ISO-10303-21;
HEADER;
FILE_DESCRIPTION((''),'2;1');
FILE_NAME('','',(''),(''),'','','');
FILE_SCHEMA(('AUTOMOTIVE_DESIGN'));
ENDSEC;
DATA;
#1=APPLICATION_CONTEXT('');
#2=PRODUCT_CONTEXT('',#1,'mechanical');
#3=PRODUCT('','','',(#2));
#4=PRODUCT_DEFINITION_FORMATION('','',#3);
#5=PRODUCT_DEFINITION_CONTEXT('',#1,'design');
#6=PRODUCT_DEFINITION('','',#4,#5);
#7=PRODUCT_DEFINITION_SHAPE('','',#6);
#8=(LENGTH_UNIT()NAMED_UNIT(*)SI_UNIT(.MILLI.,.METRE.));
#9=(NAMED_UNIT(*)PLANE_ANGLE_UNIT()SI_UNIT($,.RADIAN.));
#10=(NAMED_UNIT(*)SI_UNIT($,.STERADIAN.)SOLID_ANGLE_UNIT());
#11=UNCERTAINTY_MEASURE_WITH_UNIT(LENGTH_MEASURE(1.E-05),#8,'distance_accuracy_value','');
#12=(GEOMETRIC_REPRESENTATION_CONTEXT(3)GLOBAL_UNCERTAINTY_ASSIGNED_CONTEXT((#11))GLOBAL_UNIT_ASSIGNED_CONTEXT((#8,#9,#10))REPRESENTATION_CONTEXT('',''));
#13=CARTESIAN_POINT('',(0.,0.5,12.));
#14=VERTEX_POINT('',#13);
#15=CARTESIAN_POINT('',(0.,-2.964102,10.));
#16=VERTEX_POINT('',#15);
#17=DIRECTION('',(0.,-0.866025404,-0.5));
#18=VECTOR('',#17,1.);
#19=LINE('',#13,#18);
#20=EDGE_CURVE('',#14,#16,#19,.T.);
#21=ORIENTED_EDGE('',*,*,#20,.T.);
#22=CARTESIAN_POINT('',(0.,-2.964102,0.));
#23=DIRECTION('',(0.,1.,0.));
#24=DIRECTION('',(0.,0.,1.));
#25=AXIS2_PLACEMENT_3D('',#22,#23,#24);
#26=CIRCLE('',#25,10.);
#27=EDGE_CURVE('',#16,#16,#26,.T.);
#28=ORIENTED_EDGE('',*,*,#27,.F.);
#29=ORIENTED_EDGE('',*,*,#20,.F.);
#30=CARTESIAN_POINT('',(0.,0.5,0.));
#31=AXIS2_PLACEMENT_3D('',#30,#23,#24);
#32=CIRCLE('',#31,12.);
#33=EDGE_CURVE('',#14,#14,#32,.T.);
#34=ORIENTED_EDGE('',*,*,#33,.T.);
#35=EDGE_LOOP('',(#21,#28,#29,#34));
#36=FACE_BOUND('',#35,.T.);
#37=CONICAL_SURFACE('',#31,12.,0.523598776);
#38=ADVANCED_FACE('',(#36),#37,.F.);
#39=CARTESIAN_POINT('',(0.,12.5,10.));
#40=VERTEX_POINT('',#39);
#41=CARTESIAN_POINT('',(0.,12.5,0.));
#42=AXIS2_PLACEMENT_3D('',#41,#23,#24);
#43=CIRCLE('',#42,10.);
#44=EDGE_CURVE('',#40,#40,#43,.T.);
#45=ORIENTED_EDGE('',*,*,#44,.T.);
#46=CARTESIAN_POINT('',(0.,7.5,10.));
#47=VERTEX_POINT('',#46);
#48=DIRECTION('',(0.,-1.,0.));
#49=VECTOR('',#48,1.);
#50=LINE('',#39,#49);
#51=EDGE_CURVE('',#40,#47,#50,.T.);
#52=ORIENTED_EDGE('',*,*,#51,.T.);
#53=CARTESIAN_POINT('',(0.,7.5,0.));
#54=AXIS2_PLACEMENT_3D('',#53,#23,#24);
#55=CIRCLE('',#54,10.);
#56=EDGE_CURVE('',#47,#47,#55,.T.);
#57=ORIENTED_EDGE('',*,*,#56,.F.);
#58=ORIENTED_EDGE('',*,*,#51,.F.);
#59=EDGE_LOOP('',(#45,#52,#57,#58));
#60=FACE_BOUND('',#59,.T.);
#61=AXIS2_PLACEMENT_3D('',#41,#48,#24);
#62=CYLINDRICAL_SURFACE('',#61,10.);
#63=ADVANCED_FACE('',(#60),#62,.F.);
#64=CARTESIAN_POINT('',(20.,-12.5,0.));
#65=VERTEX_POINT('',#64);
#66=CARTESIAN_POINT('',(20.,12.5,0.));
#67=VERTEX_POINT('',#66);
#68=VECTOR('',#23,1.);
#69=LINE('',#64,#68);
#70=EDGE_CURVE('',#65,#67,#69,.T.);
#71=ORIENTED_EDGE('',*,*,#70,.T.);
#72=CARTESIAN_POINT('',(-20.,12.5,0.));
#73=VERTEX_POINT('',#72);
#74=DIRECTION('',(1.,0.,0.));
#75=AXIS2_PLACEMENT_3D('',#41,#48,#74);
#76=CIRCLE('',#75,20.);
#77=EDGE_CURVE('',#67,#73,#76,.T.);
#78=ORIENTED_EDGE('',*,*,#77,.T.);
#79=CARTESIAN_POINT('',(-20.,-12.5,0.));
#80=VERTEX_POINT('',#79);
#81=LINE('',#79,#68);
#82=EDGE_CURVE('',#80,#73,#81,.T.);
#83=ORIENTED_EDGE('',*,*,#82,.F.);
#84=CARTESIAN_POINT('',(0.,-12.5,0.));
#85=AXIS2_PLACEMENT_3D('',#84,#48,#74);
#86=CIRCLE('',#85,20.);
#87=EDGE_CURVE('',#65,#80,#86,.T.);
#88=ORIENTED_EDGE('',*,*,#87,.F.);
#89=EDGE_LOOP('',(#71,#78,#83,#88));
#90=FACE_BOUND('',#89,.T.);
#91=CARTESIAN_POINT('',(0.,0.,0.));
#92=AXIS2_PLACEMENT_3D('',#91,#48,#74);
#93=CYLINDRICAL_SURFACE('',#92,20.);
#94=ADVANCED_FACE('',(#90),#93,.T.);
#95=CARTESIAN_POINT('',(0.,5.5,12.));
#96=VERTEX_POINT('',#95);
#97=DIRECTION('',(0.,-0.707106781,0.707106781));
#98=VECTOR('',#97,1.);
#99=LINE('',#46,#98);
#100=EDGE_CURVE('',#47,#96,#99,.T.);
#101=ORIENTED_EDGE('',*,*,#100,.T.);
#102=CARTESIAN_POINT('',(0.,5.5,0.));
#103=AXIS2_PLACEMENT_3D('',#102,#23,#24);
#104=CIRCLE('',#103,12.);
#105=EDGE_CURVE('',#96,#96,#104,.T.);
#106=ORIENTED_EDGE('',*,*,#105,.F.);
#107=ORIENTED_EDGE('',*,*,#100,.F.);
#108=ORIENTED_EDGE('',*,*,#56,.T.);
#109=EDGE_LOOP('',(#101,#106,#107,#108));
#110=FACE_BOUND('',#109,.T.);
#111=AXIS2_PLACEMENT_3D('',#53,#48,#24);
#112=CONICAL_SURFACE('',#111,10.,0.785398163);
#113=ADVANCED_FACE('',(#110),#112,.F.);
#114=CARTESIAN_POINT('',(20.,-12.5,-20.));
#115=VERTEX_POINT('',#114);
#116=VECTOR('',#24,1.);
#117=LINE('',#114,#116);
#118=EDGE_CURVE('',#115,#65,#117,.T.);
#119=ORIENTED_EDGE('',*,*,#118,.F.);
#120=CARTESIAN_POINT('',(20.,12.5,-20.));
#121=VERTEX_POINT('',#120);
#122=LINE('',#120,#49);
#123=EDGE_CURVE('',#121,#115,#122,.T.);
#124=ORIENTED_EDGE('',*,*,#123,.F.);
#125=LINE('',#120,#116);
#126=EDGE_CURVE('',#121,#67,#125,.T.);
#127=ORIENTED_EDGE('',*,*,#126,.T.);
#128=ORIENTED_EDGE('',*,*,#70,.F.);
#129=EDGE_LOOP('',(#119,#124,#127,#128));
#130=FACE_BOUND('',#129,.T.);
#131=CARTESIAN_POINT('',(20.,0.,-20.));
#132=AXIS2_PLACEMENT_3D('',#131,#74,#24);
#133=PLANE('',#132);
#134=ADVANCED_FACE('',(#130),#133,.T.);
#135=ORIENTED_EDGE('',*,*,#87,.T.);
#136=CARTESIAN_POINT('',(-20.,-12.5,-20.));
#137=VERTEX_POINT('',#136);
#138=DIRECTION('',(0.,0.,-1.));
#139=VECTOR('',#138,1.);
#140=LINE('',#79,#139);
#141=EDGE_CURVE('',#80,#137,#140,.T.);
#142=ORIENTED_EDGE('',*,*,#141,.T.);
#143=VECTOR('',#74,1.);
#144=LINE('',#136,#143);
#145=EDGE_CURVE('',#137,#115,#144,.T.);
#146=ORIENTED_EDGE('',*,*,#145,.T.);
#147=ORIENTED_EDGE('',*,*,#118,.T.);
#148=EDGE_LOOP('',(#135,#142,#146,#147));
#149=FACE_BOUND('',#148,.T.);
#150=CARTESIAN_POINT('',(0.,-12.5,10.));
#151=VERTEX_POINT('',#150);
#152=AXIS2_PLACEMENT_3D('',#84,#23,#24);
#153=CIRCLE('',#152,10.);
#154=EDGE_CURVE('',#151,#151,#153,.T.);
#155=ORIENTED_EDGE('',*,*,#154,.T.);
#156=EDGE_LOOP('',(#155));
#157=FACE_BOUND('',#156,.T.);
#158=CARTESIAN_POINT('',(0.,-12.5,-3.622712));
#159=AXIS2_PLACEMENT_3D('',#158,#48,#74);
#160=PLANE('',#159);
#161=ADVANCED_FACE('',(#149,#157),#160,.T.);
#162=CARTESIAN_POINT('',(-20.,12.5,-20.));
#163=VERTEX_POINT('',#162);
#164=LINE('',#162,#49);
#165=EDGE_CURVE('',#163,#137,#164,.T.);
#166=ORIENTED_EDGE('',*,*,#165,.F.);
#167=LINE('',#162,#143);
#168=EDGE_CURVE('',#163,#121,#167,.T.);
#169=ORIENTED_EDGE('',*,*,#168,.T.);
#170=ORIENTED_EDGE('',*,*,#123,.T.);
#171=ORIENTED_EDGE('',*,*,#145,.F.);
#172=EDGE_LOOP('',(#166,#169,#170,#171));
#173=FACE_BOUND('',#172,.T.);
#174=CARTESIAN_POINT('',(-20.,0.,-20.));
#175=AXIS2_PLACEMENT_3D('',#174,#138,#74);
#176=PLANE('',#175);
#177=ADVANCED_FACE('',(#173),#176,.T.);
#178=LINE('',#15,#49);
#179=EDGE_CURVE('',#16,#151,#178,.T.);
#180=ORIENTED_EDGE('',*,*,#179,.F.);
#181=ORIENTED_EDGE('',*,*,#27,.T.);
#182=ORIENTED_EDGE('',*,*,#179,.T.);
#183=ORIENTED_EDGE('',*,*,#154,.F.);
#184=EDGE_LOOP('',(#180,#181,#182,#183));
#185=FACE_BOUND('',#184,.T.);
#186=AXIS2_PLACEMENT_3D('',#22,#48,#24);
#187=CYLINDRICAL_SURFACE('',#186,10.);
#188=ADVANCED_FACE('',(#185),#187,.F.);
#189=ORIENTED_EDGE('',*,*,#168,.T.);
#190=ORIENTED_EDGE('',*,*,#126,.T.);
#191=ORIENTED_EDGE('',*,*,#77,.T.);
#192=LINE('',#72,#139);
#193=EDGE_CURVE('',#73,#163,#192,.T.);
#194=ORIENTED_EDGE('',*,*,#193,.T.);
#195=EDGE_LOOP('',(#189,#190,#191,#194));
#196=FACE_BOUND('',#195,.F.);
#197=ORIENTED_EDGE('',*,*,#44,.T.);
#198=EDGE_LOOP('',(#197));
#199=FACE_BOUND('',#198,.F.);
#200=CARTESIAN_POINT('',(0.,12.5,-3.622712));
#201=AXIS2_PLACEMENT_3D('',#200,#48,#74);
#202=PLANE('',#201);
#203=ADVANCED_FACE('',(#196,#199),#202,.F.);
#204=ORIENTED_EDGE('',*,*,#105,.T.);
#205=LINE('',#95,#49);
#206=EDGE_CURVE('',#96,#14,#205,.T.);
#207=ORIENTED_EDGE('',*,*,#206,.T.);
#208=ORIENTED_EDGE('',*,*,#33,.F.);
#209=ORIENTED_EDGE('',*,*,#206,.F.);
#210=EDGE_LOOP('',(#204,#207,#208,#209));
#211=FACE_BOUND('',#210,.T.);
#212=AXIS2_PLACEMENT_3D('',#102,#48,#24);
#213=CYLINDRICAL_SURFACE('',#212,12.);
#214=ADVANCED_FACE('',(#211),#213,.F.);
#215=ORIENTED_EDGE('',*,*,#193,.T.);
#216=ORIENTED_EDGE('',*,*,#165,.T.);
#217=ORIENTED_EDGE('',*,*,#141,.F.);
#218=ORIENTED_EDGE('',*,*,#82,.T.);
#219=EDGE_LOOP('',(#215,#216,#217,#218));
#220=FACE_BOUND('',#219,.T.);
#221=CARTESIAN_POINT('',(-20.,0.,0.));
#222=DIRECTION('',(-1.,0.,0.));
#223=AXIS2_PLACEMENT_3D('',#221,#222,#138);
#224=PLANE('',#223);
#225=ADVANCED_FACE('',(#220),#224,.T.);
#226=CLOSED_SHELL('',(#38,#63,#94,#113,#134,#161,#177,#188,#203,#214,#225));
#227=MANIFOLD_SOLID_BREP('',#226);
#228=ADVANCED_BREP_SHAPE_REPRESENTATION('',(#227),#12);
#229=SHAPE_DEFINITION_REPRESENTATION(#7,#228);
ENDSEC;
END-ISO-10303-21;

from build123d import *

# Parameters (mm, degrees)
F2_DEPTH = 12.5


with BuildPart() as f2:
    # F1 (on Front) → F2 (new body, symmetric)
    with BuildSketch(Plane.XZ):
        with BuildLine():
            Line((-20, 0), (-20, -20))
            Line((-20, -20), (20, -20))
            Line((20, -20), (20, 0))
            ThreePointArc((20, 0), (0, 20), (-20, 0))
        make_face()
    extrude(amount=F2_DEPTH, both=True)

    # F4 (on Right) → F5 (revolve, cut)
    with BuildSketch(Plane.YZ):
        Polygon((12.5, 0), (12.5, 10), (7.5, 10), (5.5, 12), (0.5, 12), (-2.9641016151, 10), (-12.5, 10), (-12.5, 0), align=None)
    revolve(axis=Axis((0, -12.4621223658, 0), (0, 1, 0)), mode=Mode.SUBTRACT)


solid = f2.part
